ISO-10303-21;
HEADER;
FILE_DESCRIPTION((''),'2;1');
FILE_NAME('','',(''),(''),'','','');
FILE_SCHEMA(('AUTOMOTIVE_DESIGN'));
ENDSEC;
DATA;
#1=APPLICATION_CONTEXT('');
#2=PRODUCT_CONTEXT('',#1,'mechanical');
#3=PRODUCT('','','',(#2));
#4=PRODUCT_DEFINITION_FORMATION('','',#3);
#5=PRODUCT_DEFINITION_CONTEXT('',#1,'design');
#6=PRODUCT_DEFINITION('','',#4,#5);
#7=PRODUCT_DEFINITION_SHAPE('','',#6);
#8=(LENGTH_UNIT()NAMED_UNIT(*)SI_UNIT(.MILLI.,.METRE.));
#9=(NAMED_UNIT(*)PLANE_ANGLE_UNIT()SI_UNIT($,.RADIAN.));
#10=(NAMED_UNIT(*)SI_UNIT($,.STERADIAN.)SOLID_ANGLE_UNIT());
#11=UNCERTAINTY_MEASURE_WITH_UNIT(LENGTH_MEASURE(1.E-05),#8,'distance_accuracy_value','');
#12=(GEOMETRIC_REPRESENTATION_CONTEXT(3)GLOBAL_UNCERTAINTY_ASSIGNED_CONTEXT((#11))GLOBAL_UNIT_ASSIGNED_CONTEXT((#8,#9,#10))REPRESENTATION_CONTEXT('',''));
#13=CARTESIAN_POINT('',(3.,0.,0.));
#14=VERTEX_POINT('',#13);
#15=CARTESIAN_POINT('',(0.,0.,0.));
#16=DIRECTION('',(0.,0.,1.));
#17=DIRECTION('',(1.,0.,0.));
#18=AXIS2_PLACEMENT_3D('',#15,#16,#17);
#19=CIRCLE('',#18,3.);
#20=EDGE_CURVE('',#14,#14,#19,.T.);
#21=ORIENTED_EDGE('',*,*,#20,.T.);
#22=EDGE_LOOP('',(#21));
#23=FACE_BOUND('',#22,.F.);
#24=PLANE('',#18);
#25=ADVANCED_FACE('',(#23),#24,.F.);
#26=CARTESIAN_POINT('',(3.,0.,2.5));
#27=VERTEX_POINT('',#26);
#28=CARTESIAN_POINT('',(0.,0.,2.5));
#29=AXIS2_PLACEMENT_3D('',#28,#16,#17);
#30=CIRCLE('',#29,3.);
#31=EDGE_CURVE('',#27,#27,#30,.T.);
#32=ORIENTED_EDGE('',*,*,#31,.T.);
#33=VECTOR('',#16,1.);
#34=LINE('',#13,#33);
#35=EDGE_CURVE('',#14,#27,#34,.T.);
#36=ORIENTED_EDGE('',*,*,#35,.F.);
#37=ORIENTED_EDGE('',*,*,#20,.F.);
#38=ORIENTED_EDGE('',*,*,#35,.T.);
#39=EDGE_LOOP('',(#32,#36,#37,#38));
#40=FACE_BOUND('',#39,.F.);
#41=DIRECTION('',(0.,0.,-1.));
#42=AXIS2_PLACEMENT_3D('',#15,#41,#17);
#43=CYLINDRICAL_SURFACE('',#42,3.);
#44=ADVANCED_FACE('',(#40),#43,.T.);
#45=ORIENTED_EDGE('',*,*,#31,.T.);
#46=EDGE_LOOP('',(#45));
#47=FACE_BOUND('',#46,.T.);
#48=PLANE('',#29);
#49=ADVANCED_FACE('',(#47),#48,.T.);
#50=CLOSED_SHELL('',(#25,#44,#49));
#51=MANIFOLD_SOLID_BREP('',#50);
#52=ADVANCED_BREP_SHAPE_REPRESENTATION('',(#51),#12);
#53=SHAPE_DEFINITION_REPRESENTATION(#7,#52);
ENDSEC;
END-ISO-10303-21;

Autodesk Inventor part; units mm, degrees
ref_plane "YZ Plane" through (0, 0, 0) normal (1, 0, 0) x (0, 1, 0)
ref_plane "XZ Plane" through (0, 0, 0) normal (0, 1, 0) x (-1, 0, 0)
ref_plane "XY Plane" through (0, 0, 0) normal (0, 0, 1) x (1, 0, 0)
sketch "Skizze1" plane through (0, 0, 0) normal (0, 0, 1) x (1, 0, 0)
  circle A0 centre (0, 0) radius 3
  dimension "d0" = 6
extrude "Extrusion1" add sketch "Skizze1" along normal blind 2.5
properties part number "Magnet" material "Stahl, galvanisiert"
